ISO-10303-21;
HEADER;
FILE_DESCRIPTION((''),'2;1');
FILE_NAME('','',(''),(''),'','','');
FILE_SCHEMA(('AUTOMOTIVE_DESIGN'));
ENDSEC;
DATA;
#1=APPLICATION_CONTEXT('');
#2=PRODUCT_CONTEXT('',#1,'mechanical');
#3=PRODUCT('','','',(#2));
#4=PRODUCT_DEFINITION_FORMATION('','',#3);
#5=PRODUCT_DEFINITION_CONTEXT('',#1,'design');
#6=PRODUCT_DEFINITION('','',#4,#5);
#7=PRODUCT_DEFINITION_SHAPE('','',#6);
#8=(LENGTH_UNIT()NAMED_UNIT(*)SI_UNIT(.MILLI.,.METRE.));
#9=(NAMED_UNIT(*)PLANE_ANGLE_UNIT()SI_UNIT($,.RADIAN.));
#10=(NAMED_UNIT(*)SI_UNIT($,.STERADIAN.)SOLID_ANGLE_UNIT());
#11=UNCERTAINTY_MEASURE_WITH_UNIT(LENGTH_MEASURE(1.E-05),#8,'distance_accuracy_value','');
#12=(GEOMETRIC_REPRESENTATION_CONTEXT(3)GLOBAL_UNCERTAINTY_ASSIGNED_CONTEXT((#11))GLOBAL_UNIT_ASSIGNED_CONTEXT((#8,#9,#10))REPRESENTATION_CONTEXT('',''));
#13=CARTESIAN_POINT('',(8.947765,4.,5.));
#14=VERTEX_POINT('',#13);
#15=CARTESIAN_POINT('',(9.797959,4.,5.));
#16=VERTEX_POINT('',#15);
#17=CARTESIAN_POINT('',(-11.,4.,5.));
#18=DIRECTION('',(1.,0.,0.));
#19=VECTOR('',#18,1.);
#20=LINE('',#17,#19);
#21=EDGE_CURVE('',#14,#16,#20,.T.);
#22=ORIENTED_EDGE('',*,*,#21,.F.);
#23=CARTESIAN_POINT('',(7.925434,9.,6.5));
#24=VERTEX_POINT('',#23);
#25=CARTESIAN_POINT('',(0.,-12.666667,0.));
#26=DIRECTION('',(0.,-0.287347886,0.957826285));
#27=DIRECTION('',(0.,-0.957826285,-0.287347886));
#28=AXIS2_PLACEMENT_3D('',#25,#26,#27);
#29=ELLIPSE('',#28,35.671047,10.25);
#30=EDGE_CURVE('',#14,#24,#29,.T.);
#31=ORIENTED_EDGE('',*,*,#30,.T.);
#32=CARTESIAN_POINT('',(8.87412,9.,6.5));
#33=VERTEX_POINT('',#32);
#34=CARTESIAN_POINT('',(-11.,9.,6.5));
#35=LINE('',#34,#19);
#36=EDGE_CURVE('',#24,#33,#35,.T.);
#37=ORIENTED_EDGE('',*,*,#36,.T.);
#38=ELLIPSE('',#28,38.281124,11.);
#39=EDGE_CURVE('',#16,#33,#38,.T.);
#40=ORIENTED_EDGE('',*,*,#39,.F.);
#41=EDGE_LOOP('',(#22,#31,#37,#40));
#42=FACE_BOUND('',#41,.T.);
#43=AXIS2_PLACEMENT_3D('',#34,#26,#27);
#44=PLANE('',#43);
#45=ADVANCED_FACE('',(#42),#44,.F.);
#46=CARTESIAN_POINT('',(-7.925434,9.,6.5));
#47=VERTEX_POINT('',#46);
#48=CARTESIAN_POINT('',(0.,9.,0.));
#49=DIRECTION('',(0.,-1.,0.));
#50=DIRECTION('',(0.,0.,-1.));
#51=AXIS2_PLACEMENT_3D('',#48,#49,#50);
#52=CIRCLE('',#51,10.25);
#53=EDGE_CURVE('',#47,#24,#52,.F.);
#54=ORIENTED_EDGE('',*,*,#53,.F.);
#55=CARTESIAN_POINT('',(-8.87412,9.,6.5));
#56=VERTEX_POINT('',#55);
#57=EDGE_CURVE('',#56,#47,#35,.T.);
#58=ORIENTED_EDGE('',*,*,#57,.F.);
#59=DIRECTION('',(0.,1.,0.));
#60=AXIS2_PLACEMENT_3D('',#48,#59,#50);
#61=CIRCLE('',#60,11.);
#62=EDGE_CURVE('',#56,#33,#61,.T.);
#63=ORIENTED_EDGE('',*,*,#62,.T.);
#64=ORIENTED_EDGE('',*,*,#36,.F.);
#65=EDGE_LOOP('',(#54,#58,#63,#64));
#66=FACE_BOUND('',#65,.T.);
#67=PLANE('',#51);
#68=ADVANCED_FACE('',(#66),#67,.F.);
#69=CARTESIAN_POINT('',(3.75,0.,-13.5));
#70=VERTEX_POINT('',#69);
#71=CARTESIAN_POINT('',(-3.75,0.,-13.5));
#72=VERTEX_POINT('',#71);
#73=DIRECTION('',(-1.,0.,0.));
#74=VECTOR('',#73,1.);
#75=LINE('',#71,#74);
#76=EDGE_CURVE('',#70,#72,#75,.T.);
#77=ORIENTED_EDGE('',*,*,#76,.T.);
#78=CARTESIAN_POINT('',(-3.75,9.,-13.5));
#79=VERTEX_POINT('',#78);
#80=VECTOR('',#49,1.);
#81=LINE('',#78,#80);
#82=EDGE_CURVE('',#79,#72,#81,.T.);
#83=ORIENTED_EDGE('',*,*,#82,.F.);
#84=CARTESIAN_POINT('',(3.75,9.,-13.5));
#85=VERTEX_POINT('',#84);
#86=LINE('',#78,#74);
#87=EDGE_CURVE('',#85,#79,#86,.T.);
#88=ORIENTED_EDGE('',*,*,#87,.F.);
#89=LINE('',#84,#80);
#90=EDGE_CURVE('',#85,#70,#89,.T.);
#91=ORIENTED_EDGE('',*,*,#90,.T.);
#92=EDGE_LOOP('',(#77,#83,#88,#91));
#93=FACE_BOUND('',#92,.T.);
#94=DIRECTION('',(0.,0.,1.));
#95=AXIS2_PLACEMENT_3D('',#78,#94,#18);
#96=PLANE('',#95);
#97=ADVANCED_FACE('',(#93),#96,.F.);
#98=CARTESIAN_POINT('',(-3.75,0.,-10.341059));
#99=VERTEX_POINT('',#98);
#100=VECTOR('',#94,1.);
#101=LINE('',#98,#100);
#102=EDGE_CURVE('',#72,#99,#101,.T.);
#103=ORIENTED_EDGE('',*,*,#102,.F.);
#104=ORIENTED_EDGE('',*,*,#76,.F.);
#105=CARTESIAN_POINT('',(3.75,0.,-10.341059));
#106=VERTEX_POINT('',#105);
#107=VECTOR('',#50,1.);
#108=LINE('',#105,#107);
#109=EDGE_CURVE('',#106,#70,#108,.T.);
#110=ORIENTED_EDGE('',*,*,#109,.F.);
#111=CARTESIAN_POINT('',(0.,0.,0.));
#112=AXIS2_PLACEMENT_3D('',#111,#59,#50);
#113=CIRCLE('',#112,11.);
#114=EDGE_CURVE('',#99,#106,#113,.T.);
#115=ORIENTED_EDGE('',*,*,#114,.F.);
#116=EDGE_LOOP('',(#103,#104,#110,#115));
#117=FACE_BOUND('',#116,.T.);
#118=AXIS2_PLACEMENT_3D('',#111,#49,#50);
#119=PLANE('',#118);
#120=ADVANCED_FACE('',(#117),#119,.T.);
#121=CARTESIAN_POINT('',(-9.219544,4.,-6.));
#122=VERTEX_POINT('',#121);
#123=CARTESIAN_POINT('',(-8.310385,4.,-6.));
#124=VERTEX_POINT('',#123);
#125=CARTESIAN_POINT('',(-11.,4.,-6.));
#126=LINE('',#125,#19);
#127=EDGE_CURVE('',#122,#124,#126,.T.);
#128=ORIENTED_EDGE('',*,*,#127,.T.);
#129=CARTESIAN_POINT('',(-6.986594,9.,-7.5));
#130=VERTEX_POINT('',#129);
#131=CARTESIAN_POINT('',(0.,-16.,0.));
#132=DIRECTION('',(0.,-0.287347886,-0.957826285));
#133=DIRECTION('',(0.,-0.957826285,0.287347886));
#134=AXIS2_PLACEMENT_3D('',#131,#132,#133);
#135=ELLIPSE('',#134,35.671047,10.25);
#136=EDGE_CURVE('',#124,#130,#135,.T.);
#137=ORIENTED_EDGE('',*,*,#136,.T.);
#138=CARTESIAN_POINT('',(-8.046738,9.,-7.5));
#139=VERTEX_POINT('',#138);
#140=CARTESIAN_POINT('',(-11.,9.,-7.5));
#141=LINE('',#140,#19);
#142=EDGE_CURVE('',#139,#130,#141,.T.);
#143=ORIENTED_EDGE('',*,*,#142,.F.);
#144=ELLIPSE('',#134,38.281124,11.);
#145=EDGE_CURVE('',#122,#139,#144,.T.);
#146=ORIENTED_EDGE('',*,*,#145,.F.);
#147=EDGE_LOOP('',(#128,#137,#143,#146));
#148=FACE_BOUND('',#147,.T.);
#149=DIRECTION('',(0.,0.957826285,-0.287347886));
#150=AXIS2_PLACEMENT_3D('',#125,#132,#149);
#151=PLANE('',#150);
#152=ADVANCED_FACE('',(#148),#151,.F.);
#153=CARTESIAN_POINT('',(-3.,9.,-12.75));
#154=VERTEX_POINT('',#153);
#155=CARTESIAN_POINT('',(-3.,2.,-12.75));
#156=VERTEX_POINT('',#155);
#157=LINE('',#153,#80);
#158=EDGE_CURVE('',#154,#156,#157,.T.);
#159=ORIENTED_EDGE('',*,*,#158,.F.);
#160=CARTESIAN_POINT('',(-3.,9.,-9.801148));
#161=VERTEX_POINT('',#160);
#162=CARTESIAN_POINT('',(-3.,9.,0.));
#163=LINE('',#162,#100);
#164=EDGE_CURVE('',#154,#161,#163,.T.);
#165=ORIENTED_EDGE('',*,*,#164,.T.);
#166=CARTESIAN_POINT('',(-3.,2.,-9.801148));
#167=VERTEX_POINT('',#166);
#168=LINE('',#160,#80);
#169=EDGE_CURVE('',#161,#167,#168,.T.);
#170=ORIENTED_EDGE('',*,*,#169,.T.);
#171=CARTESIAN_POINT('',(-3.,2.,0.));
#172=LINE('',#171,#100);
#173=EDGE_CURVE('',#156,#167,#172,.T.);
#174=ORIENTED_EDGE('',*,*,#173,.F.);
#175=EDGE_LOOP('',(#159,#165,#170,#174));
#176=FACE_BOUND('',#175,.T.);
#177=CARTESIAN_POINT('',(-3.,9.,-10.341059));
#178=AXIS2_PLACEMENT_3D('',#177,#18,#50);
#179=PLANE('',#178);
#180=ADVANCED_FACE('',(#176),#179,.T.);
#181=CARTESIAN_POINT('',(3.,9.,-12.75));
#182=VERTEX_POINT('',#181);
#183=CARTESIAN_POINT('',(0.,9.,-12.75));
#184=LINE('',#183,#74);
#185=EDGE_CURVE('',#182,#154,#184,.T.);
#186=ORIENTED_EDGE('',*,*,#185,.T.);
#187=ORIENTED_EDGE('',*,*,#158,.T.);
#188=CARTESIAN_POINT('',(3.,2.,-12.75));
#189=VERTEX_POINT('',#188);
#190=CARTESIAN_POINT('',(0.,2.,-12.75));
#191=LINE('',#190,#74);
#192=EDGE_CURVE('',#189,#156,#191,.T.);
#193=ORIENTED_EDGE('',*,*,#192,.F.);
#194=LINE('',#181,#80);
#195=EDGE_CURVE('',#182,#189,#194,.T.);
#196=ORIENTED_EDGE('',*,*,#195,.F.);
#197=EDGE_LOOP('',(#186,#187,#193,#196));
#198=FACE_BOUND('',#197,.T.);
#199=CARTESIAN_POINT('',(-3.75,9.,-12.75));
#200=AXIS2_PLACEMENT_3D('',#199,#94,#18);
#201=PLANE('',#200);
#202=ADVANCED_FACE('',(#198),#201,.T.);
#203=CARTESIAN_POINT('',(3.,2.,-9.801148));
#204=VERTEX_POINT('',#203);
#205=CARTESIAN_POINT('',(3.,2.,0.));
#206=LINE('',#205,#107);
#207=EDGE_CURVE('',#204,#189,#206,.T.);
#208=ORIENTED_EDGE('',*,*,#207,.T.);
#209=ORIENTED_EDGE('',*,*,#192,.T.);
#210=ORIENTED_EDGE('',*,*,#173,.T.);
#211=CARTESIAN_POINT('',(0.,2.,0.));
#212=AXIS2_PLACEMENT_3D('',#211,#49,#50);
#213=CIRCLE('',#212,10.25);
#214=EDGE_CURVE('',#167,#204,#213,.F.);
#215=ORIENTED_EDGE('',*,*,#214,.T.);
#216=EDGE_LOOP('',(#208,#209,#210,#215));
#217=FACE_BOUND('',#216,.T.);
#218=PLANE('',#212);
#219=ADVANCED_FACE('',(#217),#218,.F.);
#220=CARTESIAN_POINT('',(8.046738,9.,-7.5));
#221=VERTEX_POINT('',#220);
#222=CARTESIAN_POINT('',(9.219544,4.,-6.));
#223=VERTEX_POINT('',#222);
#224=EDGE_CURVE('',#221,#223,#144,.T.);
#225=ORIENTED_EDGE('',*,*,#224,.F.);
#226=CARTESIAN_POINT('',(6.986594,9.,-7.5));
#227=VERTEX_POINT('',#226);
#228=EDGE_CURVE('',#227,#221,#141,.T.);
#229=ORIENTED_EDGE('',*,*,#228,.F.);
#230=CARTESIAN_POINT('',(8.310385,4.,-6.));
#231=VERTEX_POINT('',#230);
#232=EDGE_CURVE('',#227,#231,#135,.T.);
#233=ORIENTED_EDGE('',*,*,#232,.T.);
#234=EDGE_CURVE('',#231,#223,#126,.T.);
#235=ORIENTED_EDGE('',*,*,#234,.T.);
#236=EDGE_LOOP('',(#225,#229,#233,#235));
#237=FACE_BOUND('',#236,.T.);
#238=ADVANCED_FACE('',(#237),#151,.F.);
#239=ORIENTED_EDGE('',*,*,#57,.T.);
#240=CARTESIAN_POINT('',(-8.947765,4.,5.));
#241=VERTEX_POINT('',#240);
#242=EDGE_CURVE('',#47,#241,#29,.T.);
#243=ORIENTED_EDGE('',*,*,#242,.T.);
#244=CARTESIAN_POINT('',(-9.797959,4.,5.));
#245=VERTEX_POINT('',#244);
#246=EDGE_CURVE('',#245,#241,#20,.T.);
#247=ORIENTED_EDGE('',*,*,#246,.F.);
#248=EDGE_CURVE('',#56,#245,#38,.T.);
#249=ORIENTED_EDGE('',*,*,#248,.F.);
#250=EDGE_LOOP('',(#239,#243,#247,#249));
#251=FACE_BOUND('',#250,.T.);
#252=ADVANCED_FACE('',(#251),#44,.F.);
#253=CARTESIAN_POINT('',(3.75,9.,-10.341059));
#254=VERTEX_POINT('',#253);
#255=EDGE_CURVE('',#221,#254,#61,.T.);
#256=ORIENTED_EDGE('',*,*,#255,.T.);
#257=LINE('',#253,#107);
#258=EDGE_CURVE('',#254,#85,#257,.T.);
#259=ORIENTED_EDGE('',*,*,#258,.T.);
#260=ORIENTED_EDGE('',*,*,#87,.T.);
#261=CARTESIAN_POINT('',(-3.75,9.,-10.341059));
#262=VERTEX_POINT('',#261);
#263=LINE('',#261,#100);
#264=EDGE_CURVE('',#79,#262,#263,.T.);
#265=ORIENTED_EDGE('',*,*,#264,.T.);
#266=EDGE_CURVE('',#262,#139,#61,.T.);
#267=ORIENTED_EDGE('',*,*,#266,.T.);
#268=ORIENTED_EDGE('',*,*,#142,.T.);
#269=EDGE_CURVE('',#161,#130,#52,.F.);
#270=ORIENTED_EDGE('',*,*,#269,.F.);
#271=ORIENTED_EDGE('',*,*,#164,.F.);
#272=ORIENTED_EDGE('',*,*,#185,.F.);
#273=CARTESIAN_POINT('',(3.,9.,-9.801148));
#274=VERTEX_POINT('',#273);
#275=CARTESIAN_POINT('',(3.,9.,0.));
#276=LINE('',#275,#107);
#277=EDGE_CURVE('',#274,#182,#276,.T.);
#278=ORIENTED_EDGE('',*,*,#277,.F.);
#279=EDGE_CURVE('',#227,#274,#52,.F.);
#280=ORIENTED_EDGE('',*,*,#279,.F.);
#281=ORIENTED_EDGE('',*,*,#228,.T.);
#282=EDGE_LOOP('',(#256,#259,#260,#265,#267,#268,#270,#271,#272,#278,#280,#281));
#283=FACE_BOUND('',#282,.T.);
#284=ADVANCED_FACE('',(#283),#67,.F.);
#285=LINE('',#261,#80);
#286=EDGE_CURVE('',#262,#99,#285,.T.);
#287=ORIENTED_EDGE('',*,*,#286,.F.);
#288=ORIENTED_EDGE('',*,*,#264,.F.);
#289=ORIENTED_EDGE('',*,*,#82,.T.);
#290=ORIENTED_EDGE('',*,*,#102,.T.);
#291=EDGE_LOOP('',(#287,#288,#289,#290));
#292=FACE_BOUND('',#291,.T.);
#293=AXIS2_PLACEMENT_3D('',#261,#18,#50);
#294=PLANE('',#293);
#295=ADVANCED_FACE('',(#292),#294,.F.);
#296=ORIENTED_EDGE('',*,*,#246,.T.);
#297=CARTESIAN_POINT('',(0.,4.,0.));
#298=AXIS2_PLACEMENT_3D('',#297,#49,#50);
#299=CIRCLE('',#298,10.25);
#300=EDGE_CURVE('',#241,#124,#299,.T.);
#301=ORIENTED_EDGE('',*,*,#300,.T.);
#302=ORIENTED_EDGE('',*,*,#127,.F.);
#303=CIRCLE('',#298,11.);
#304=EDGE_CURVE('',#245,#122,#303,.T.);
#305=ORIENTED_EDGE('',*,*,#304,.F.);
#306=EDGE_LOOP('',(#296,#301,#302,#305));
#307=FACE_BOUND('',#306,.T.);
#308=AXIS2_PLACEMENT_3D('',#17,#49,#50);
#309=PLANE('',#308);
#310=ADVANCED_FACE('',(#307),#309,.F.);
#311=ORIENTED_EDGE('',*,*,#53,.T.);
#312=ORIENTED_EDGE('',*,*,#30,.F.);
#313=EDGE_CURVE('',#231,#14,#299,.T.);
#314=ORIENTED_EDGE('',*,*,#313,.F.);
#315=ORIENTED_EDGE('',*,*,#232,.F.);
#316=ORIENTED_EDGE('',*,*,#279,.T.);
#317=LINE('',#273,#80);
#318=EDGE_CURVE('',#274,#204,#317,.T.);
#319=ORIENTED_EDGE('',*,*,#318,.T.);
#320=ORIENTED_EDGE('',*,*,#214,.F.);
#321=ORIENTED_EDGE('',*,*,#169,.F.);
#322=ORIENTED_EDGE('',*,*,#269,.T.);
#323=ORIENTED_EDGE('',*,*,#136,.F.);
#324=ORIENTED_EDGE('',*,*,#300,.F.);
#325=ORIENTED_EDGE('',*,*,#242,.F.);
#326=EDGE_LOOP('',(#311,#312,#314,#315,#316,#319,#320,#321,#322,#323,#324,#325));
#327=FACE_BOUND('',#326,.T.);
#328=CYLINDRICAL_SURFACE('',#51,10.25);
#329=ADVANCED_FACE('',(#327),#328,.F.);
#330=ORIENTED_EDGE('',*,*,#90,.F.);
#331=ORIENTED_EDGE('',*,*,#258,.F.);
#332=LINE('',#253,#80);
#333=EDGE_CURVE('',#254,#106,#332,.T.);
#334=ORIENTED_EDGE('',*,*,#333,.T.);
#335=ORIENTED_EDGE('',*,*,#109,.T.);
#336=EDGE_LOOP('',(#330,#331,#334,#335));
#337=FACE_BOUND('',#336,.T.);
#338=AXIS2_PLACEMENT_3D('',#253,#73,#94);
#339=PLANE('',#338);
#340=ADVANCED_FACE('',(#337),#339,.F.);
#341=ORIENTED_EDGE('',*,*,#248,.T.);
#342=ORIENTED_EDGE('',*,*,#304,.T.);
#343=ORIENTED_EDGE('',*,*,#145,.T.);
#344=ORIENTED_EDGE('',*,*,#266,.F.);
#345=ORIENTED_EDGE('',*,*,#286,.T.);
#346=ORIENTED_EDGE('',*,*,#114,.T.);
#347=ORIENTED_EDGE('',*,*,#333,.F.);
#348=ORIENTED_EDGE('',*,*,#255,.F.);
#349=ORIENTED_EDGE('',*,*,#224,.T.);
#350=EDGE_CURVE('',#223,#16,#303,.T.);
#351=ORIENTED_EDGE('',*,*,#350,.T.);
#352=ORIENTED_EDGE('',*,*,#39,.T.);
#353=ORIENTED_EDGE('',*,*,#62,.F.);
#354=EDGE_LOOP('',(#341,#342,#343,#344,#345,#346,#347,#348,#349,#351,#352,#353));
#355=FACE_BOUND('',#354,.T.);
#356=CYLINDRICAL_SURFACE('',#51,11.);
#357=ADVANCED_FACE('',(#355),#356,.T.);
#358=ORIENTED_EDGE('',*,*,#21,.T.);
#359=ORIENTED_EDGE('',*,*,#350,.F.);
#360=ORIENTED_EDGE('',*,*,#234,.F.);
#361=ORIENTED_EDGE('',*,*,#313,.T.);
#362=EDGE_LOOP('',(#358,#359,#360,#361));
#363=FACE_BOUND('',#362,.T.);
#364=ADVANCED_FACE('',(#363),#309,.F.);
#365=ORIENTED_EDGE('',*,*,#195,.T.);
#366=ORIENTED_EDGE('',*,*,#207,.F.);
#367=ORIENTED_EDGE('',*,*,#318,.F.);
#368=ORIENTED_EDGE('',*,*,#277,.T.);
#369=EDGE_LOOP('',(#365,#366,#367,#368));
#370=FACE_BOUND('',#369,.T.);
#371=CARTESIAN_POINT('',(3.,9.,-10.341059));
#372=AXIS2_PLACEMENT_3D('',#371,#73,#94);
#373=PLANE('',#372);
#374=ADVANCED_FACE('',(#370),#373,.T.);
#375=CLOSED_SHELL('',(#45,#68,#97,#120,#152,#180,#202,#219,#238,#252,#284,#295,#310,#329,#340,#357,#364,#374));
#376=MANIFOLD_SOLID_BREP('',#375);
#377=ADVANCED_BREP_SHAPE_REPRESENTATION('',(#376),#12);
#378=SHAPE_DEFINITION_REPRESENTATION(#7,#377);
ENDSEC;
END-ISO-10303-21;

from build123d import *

# Parameters (mm, degrees)
EXTRUDE_1_DEPTH           = 9
SHELL_1_T                 = -0.75
SHELL_1_THICKNESS_2_DEPTH = 1.25
CUT_EXTRUDE_1_DEPTH       = 20.602295784
CUT_EXTRUDE_1_DEPTH_BACK  = 20.602295784


with BuildPart() as part:
    # 草图1 → 凸台-拉伸1 (new body)
    with BuildSketch(Plane(origin=(0, 0, 0), x_dir=(1, 0, 0), z_dir=(0, 1, 0))):
        with BuildLine():
            Line((-3.75, 10.34105894), (-3.75, 13.5))
            Line((-3.75, 13.5), (3.75, 13.5))
            Line((3.75, 13.5), (3.75, 10.34105894))
            ThreePointArc((3.75, 10.34105894), (0, -11), (-3.75, 10.34105894))
        make_face()
    extrude(amount=EXTRUDE_1_DEPTH)

    # 抽壳1
    shell_1_openings = [part.faces().sort_by_distance(p)[0] for p in [
        (0, 9, -0.617377205),
    ]]
    offset(amount=SHELL_1_T, openings=shell_1_openings, kind=Kind.INTERSECTION)

    # 抽壳1 thickness 2 face (on inner face of the shell) → 抽壳1 thickness 2 (add)
    with BuildSketch(Plane(origin=(0, 0.75, -0.524637331), x_dir=(0, 0, -1), z_dir=(0, -1, 0))):
        with BuildLine():
            ThreePointArc((9.276510561, -3), (-10.774637331, 0), (9.276510561, 3))
            Line((9.276510561, 3), (12.225362669, 3))
            Line((12.225362669, 3), (12.225362669, -3))
            Line((12.225362669, -3), (9.276510561, -3))
        make_face()
    extrude(amount=-SHELL_1_THICKNESS_2_DEPTH)

    # 草图2 → 切除-拉伸1 (cut, two sides: drawn at the far end of the back side and taken through both)
    with BuildSketch(Plane(origin=(0, 0, 0), x_dir=(0, 0, -1), z_dir=(1, 0, 0)).offset(-CUT_EXTRUDE_1_DEPTH_BACK)):
        Polygon((-6.5, 9), (-5, 4), (6, 4), (7.5, 9), align=None)
    extrude(amount=CUT_EXTRUDE_1_DEPTH + CUT_EXTRUDE_1_DEPTH_BACK, mode=Mode.SUBTRACT)


solid = part.part
